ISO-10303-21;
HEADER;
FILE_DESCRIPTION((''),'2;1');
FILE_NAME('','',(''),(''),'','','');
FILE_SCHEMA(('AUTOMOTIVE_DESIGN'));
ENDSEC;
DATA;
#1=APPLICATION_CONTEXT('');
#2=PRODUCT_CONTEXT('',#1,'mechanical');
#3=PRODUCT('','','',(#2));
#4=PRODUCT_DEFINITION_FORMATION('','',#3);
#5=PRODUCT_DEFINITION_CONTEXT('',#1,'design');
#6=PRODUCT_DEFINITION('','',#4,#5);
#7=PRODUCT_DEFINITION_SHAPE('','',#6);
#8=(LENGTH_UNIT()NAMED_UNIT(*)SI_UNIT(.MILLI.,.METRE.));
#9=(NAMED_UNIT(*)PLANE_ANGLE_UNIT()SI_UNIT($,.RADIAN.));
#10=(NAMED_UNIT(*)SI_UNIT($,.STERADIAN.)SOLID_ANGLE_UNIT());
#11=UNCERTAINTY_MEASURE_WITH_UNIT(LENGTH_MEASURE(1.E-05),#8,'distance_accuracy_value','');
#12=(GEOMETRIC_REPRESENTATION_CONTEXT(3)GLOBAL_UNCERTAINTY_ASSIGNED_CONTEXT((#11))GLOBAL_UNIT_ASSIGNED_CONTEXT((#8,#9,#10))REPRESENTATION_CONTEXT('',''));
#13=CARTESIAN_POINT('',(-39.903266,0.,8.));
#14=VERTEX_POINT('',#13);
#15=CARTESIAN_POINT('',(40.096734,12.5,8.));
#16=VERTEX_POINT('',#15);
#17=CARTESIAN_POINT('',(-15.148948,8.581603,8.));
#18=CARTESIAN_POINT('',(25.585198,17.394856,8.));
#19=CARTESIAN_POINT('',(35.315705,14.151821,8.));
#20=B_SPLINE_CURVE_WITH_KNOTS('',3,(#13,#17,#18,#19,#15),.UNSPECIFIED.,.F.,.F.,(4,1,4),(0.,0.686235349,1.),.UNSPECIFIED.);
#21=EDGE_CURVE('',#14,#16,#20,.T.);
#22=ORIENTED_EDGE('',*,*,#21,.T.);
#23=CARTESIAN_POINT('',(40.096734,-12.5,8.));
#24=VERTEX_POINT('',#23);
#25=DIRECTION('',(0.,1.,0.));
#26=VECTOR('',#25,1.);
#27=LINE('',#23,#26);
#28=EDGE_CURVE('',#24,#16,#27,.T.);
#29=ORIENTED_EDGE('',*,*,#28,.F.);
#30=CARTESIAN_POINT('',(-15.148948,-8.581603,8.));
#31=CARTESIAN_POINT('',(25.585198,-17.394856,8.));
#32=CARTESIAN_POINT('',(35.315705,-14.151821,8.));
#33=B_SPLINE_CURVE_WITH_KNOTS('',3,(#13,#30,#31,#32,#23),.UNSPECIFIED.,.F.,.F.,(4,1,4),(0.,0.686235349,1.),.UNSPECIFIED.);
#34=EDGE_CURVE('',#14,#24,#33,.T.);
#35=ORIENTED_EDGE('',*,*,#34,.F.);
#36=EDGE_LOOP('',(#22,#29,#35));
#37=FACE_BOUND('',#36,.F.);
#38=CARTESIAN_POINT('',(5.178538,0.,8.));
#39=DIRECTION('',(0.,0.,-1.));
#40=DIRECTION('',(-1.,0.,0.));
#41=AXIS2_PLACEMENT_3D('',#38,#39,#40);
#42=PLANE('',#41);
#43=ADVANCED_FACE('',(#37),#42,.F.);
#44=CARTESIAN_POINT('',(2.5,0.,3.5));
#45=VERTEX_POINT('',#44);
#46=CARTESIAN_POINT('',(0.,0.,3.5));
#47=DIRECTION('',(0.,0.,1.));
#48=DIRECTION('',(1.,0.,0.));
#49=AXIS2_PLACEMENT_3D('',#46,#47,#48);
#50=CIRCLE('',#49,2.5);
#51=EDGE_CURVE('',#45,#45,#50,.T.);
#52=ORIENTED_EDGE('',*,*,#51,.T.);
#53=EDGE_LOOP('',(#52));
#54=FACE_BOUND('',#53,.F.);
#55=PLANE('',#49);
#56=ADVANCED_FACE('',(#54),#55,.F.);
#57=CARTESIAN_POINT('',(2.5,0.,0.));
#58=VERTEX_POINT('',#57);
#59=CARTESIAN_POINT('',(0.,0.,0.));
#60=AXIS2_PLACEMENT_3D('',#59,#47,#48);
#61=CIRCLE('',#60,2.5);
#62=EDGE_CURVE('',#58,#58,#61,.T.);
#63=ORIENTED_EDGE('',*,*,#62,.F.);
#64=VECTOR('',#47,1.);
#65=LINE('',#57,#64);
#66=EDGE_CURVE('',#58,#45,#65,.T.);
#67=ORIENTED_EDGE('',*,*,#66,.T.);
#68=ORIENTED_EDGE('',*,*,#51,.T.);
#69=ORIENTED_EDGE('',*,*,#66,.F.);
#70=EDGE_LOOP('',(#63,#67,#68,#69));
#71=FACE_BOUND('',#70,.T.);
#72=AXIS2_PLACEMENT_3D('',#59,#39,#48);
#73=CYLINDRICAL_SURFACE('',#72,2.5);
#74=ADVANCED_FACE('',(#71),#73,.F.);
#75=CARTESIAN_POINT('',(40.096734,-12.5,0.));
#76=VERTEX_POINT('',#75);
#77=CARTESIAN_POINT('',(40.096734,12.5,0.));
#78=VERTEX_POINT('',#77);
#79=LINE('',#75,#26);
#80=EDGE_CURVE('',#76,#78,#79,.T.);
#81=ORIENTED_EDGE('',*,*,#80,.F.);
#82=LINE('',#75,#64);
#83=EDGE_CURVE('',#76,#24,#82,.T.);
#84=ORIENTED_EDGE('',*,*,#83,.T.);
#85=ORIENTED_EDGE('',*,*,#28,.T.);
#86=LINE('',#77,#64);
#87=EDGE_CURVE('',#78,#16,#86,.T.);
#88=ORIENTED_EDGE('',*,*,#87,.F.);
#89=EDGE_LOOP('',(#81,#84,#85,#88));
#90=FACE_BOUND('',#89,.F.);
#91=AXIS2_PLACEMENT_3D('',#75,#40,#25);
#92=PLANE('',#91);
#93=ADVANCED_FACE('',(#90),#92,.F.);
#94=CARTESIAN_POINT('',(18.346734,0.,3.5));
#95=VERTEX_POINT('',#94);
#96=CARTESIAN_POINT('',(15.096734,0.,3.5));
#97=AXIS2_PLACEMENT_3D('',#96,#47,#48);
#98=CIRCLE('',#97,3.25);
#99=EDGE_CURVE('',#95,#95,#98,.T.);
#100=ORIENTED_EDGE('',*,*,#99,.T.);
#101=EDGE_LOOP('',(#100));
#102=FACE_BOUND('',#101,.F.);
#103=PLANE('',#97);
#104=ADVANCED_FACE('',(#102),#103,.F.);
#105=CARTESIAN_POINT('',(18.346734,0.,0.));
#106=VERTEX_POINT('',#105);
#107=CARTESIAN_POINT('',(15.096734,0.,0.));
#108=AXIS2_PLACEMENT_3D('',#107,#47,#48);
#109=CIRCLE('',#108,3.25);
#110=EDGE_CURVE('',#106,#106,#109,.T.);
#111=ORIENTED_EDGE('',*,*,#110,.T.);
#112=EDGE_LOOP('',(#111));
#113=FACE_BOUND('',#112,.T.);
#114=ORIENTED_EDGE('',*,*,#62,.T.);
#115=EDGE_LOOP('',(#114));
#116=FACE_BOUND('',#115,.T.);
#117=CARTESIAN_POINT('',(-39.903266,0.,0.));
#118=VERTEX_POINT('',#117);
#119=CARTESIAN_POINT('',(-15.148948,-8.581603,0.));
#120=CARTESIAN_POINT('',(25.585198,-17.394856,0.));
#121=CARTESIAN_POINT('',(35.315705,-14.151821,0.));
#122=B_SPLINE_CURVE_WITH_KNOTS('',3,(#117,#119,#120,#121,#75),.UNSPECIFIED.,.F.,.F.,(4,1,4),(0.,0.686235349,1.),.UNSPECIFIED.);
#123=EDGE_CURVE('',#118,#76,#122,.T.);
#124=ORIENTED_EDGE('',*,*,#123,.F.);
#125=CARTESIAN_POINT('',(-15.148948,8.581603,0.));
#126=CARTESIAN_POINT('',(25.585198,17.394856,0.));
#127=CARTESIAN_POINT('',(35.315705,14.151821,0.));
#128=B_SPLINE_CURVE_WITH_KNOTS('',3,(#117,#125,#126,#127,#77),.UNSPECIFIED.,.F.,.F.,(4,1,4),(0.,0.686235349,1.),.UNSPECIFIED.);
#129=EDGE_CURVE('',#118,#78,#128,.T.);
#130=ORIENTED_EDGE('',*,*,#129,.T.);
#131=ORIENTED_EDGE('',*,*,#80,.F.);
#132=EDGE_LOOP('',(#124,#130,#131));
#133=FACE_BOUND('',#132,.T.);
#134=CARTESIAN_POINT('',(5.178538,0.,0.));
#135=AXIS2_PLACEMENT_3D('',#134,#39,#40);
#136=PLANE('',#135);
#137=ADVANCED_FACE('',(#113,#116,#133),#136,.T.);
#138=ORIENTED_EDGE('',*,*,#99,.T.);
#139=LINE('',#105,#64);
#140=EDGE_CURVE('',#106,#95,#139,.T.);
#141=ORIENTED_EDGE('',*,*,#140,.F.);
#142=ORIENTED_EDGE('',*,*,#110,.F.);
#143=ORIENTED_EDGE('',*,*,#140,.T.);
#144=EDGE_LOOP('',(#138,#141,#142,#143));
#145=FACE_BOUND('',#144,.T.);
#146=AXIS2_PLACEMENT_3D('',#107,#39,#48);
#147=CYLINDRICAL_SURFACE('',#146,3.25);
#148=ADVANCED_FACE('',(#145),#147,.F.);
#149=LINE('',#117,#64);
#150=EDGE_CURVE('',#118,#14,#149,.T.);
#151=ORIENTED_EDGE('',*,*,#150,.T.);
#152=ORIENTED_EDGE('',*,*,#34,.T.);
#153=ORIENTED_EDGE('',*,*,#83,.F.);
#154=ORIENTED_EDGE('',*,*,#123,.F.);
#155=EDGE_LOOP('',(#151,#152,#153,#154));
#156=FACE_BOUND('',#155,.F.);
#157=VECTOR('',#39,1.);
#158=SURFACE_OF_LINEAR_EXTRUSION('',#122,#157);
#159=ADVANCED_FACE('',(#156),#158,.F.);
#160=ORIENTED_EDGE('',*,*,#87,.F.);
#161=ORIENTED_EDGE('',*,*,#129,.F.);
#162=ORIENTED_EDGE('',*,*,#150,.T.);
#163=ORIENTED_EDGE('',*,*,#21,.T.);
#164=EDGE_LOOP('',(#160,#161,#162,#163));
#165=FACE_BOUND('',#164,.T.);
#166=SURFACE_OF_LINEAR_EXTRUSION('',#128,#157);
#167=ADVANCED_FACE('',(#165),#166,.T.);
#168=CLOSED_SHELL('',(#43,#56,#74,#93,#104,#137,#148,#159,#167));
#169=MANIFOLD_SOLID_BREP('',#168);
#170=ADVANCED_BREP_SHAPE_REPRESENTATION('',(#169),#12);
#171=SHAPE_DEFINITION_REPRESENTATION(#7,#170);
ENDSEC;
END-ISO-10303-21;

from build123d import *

# Parameters (mm, degrees)
F0_R     = 2.5
F0_R_2   = 3.25
F1_DEPTH = 8
F2_DEPTH = 3.5


with BuildPart() as f1:
    # F0 (on Top) → F1 (new body)
    with BuildSketch(Plane.XY):
        with BuildLine():
            add(Edge.make_bspline(
                [(-39.9032656348, 0), (-15.1489478004, 8.5816033868), (25.5851982599, 17.3948561316), (35.3157049568, 14.1518208849), (40.0967343652, 12.5)],
                knots=[0, 0, 0, 0, 0.6862353486, 1, 1, 1, 1], degree=3))
            add(Edge.make_bspline(
                [(-39.9032656348, 0), (-15.1489478004, -8.5816033868), (25.5851982599, -17.3948561316), (35.3157049568, -14.1518208849), (40.0967343652, -12.5)],
                knots=[0, 0, 0, 0, 0.6862353486, 1, 1, 1, 1], degree=3))
            Line((40.0967343652, -12.5), (40.0967343652, 0))
            Line((40.0967343652, 0), (40.0967343652, 12.5))
        make_face()
        Circle(F0_R, mode=Mode.SUBTRACT)
        with Locations((15.0967343652, 0)):
            Circle(F0_R_2, mode=Mode.SUBTRACT)
        Circle(F0_R)
        with Locations((15.0967343652, 0)):
            Circle(F0_R_2)
    extrude(amount=F1_DEPTH)

    # F0 (on Top) → F2 (cut)
    with BuildSketch(Plane.XY):
        Circle(F0_R)
        with Locations((15.0967343652, 0)):
            Circle(F0_R_2)
    extrude(amount=F2_DEPTH, mode=Mode.SUBTRACT)


solid = f1.part
